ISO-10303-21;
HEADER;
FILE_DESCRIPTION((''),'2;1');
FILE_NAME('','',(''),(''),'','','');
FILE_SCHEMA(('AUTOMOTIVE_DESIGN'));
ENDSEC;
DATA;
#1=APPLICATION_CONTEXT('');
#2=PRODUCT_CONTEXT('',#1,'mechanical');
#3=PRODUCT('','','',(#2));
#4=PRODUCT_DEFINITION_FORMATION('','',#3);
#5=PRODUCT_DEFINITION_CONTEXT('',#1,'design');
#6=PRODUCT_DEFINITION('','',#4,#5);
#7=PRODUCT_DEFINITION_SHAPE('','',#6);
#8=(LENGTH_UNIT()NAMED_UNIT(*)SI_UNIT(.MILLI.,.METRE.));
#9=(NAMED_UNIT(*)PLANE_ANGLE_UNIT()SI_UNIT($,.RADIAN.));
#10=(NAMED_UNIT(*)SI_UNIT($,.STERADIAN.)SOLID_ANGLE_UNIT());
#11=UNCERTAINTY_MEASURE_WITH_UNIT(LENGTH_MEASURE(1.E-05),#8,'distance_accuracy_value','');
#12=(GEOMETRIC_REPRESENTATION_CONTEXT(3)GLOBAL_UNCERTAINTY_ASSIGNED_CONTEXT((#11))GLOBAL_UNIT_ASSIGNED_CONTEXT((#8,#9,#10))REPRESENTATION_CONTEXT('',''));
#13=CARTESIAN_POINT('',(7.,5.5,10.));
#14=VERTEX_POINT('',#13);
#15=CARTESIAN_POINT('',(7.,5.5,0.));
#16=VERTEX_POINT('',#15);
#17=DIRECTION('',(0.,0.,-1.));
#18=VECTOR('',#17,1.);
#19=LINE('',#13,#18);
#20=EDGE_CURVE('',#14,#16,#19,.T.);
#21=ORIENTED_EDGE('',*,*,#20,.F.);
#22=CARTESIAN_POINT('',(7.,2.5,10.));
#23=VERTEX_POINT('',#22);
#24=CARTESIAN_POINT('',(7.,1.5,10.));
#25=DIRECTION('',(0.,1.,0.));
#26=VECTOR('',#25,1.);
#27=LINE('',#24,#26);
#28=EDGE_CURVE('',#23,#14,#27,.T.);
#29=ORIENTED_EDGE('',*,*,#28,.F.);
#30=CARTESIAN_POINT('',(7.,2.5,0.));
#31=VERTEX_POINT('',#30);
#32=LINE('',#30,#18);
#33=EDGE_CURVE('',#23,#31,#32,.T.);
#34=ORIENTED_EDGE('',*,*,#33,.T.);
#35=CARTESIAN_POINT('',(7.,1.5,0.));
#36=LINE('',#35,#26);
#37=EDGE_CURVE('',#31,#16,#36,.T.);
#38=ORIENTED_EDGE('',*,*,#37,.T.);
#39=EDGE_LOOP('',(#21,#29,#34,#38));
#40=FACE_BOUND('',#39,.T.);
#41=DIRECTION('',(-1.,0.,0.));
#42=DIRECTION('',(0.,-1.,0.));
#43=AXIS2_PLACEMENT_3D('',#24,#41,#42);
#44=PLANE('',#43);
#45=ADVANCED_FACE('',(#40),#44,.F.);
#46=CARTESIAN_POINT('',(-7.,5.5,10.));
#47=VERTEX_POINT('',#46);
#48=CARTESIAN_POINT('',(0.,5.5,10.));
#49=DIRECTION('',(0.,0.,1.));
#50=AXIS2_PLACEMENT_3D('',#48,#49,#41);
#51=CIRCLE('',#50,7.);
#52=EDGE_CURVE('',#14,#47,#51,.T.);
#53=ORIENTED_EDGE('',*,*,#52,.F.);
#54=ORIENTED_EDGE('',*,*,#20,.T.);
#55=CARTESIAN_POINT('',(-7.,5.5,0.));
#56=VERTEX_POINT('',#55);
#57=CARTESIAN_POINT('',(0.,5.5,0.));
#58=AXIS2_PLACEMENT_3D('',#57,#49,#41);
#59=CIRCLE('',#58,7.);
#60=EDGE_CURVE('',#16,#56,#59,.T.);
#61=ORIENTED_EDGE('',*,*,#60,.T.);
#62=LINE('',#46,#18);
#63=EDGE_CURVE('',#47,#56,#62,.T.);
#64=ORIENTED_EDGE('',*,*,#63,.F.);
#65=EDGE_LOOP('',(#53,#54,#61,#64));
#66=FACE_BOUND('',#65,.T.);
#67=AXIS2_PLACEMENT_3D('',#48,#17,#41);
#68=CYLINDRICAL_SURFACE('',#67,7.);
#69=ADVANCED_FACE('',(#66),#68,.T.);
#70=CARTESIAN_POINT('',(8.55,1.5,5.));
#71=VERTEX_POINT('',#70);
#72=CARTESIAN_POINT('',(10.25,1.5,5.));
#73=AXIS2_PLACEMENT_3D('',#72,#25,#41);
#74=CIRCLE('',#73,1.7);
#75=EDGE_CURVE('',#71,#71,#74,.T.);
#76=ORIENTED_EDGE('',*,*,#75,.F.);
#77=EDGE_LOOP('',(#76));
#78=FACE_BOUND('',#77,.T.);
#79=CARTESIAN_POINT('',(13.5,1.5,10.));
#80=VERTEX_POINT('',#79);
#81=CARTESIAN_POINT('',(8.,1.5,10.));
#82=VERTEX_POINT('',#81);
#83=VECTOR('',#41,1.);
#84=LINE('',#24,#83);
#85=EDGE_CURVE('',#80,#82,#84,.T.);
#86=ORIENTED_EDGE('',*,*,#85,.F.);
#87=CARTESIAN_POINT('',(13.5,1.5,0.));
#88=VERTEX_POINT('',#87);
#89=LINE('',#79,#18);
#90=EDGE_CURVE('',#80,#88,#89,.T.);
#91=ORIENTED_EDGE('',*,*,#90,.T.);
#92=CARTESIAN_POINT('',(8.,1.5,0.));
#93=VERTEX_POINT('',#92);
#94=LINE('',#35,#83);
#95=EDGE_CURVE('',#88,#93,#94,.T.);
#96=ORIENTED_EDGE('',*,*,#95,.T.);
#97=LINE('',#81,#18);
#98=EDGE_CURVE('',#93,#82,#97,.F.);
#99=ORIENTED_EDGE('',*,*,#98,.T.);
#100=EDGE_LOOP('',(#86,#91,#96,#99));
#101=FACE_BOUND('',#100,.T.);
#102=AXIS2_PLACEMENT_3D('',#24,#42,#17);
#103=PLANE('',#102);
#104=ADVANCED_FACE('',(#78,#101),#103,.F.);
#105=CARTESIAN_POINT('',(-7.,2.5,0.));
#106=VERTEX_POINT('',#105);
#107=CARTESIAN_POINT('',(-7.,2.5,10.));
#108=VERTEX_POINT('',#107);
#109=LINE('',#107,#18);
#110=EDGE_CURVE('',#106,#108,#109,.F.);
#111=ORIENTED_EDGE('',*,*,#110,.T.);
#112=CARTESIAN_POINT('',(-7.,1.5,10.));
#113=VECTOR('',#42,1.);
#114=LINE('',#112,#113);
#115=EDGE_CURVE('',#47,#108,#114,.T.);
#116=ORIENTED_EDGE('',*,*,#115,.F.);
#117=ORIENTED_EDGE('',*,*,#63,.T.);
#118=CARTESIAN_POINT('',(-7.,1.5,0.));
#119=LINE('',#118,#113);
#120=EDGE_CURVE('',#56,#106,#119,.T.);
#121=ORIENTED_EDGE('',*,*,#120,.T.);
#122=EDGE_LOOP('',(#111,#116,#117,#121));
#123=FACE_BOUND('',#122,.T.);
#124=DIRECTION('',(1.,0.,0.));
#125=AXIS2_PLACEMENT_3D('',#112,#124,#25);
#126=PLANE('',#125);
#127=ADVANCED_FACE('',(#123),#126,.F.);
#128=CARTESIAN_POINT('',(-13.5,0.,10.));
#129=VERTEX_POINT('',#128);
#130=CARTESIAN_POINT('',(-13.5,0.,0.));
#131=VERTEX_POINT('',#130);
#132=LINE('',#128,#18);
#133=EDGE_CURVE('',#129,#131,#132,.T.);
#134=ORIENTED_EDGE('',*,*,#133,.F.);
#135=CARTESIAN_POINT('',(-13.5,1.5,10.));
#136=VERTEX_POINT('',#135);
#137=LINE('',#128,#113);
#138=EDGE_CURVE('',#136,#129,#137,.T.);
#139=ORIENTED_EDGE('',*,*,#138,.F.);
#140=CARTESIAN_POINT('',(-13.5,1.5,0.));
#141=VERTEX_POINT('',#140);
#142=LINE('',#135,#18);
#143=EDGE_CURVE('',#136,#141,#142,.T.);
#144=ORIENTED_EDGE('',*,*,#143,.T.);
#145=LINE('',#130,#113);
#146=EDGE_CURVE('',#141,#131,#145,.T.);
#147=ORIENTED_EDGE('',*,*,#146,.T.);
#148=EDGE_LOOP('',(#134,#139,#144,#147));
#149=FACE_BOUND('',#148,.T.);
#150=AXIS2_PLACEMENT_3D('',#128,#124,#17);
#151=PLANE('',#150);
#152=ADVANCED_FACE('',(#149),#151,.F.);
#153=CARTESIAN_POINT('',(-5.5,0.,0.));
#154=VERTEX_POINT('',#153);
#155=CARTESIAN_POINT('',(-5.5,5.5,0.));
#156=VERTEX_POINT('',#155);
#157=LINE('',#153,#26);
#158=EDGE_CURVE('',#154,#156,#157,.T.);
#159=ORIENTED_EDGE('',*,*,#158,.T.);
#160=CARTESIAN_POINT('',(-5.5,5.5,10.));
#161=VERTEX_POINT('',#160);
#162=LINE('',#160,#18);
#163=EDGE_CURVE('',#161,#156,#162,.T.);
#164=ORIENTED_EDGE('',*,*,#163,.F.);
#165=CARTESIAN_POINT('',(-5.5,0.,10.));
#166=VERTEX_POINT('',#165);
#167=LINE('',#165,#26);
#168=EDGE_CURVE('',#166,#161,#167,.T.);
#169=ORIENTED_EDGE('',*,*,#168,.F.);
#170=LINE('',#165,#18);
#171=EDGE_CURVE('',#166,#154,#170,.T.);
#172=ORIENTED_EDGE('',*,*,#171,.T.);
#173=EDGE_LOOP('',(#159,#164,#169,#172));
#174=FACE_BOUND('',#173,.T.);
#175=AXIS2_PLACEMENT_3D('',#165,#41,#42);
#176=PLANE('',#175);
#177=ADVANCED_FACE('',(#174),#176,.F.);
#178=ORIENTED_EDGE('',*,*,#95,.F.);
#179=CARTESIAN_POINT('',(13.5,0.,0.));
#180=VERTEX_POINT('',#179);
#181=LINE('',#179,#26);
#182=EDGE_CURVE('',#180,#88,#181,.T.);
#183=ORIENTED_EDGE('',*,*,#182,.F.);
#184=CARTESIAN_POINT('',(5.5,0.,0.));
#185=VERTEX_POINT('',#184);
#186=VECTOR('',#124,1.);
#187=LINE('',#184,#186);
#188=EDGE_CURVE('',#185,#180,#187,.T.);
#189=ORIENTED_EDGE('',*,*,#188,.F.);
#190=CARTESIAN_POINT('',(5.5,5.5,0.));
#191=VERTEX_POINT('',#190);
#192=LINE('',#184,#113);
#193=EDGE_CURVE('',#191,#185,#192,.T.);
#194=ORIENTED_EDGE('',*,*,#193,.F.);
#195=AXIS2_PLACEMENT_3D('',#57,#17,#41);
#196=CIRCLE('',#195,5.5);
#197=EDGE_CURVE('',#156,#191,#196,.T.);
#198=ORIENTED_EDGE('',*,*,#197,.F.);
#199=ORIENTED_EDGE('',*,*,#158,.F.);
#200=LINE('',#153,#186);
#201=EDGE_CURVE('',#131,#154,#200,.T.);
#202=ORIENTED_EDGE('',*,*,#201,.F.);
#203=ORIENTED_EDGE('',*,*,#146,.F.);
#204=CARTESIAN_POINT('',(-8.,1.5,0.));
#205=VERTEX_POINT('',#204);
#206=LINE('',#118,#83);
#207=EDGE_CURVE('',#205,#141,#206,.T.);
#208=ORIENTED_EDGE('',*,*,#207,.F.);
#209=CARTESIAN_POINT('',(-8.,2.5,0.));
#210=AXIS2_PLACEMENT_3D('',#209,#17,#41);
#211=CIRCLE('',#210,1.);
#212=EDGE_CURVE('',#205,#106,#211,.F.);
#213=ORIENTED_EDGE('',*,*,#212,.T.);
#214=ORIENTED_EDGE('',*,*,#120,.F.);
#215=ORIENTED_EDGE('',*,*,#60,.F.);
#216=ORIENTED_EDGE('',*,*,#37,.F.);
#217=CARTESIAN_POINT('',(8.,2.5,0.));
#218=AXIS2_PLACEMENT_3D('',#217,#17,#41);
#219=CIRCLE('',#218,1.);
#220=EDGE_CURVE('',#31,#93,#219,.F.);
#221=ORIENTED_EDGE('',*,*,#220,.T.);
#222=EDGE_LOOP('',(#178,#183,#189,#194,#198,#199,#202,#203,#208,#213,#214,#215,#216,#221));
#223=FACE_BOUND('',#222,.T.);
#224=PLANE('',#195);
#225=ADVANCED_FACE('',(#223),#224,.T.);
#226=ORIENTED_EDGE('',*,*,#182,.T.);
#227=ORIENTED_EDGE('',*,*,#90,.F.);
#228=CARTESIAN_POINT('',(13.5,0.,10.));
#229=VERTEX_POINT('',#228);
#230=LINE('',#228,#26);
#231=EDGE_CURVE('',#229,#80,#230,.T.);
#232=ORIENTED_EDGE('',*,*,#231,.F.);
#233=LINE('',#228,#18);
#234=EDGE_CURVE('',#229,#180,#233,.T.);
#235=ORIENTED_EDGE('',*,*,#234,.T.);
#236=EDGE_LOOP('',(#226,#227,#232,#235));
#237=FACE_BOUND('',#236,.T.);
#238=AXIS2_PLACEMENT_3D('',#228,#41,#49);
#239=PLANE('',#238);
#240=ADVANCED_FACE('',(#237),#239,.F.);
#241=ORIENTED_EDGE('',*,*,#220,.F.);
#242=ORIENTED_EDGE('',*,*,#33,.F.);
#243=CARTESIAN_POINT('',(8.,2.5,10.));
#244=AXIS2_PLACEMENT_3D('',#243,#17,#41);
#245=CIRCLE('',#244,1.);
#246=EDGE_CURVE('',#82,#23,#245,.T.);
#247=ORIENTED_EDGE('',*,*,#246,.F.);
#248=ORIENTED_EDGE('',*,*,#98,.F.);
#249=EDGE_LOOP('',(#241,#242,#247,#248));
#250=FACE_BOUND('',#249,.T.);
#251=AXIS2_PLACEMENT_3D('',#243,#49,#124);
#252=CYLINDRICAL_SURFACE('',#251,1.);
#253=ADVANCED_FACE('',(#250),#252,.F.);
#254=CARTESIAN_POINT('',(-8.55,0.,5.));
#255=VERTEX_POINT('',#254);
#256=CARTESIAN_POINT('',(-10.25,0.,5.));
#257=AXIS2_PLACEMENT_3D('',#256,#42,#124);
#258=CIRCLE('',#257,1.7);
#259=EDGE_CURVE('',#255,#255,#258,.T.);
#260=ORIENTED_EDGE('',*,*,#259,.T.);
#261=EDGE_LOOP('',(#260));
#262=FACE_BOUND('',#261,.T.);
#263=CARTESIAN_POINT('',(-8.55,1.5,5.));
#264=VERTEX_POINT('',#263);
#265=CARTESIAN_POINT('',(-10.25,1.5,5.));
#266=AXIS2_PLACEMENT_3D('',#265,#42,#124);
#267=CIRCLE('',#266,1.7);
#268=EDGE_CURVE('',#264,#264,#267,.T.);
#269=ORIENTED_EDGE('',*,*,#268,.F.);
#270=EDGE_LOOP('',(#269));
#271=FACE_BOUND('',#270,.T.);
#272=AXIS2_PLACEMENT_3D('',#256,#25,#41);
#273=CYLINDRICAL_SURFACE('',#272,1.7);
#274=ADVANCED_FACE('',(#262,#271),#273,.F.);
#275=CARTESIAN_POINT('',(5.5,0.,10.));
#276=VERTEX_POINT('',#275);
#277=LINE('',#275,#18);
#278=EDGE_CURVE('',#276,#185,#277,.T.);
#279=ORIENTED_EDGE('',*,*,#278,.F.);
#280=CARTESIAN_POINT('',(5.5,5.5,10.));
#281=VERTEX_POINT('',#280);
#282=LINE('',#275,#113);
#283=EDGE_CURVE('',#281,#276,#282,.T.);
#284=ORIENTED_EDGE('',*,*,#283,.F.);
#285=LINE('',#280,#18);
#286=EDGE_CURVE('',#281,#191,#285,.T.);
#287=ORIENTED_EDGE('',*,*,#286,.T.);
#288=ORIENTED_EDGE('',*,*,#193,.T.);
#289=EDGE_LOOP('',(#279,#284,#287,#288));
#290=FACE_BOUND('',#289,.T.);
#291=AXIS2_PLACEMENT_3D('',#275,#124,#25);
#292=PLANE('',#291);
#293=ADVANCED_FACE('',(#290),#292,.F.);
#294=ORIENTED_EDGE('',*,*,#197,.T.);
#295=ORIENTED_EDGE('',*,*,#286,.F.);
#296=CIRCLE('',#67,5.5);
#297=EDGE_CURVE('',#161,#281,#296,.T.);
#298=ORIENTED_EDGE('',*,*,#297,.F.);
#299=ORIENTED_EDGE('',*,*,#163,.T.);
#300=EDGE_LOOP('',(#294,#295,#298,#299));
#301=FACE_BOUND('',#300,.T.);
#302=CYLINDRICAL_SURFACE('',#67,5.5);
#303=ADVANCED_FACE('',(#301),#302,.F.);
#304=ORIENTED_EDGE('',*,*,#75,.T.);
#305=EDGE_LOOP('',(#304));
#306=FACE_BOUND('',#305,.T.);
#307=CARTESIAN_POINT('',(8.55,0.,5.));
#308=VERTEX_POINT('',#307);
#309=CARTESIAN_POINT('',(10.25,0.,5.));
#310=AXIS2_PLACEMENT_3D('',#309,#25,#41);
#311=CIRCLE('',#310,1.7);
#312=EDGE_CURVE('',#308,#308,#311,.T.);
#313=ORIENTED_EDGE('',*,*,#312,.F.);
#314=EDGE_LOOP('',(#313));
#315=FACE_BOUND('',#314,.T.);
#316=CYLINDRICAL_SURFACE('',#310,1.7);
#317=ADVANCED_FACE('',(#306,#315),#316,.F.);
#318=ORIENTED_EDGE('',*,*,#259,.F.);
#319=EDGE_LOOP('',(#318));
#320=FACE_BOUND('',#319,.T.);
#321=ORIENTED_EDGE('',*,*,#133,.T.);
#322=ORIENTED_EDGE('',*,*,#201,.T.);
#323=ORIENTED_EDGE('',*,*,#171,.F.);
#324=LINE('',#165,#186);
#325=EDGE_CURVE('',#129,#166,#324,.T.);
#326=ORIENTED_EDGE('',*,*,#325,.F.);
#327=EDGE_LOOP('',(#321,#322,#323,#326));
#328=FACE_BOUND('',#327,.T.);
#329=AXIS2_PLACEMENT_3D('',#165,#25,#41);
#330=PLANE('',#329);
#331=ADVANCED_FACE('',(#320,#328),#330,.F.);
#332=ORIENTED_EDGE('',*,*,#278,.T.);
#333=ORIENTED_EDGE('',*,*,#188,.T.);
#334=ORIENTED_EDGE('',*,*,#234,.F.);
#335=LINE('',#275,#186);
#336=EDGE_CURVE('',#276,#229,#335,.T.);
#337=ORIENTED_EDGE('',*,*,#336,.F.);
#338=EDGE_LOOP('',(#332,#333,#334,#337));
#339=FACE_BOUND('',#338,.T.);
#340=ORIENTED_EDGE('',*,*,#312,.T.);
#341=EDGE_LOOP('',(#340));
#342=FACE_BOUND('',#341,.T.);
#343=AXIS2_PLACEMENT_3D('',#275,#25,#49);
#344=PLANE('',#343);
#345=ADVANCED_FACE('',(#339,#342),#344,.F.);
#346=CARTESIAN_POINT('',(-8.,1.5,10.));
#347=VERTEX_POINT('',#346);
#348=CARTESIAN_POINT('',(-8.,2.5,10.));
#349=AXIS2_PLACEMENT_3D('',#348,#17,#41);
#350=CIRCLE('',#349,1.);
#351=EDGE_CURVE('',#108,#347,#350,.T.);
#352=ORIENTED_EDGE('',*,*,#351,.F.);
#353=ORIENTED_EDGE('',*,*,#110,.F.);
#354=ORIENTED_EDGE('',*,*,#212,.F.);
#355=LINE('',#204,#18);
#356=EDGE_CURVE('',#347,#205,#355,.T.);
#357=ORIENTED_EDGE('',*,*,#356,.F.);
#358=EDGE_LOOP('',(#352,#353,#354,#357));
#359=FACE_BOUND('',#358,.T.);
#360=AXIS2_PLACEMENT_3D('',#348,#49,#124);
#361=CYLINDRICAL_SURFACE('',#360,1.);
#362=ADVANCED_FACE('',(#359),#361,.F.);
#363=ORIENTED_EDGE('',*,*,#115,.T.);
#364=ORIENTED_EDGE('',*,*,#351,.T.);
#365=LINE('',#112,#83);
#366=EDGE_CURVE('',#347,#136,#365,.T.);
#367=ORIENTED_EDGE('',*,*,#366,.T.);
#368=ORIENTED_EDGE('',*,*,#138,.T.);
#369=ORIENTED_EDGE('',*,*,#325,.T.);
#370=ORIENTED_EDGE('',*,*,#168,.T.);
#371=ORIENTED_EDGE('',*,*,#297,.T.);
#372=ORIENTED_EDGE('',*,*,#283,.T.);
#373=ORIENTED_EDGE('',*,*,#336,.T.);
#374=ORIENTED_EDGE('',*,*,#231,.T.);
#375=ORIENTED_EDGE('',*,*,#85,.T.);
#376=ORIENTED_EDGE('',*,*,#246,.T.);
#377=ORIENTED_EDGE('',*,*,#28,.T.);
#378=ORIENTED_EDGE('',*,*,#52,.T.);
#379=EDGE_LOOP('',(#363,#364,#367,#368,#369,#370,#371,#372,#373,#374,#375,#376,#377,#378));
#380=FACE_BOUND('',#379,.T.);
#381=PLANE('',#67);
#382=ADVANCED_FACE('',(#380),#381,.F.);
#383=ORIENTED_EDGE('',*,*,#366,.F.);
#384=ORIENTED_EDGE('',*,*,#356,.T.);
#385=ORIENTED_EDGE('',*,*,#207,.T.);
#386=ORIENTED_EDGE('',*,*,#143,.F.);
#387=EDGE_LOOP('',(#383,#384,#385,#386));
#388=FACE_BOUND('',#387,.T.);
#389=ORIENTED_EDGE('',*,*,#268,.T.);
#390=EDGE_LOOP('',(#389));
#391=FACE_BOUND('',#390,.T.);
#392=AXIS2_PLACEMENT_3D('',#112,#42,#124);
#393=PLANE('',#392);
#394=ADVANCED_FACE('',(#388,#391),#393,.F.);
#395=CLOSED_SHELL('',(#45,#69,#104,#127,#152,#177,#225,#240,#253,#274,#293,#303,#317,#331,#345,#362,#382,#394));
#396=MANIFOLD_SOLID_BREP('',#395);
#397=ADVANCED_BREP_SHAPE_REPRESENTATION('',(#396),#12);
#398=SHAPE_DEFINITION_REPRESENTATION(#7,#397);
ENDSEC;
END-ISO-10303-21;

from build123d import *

# Parameters (mm, degrees)
BOSS_EXTRUDE1_DEPTH = 10
SKETCH2_R           = 1.7
CUT_EXTRUDE1_DEPTH  = 21.081085628
FILLET1_R           = 1


with BuildPart() as part:
    # Sketch1 → Boss-Extrude1 (new body)
    with BuildSketch(Plane.XY):
        with BuildLine():
            Line((-13.5, 0), (-13.5, 1.5))
            Line((-13.5, 1.5), (-7, 1.5))
            Line((-7, 1.5), (-7, 5.5))
            ThreePointArc((-7, 5.5), (0, 12.5), (7, 5.5))
            Line((7, 5.5), (7, 1.5))
            Line((7, 1.5), (13.5, 1.5))
            Line((13.5, 1.5), (13.5, 0))
            Line((13.5, 0), (5.5, 0))
            Line((5.5, 0), (5.5, 5.5))
            ThreePointArc((5.5, 5.5), (0, 11), (-5.5, 5.5))
            Line((-5.5, 5.5), (-5.5, 0))
            Line((-5.5, 0), (-13.5, 0))
        make_face()
    extrude(amount=BOSS_EXTRUDE1_DEPTH)

    # Sketch2 → Cut-Extrude1 (cut, through all)
    with BuildSketch(Plane(origin=(0, 1.5, 0), x_dir=(1, 0, 0), z_dir=(0, 1, 0))):
        with Locations(Location((10.25, -5, 0), (0, 0, 180))):
            Circle(SKETCH2_R)
    cut_extrude1 = extrude(amount=-CUT_EXTRUDE1_DEPTH, mode=Mode.SUBTRACT)

    # Fillet1
    fillet1_edges = [part.edges().sort_by_distance(p)[0] for p in [
        (-7, 1.5, 5),
        (7, 1.5, 5),
    ]]
    fillet(fillet1_edges, radius=FILLET1_R)

    # Mirror1: Cut-Extrude1 across plane
    add(cut_extrude1.mirror(Plane(origin=(0, 0, 0), x_dir=(0, 0, 1), z_dir=(1, 0, 0))), mode=Mode.SUBTRACT)


solid = part.part
